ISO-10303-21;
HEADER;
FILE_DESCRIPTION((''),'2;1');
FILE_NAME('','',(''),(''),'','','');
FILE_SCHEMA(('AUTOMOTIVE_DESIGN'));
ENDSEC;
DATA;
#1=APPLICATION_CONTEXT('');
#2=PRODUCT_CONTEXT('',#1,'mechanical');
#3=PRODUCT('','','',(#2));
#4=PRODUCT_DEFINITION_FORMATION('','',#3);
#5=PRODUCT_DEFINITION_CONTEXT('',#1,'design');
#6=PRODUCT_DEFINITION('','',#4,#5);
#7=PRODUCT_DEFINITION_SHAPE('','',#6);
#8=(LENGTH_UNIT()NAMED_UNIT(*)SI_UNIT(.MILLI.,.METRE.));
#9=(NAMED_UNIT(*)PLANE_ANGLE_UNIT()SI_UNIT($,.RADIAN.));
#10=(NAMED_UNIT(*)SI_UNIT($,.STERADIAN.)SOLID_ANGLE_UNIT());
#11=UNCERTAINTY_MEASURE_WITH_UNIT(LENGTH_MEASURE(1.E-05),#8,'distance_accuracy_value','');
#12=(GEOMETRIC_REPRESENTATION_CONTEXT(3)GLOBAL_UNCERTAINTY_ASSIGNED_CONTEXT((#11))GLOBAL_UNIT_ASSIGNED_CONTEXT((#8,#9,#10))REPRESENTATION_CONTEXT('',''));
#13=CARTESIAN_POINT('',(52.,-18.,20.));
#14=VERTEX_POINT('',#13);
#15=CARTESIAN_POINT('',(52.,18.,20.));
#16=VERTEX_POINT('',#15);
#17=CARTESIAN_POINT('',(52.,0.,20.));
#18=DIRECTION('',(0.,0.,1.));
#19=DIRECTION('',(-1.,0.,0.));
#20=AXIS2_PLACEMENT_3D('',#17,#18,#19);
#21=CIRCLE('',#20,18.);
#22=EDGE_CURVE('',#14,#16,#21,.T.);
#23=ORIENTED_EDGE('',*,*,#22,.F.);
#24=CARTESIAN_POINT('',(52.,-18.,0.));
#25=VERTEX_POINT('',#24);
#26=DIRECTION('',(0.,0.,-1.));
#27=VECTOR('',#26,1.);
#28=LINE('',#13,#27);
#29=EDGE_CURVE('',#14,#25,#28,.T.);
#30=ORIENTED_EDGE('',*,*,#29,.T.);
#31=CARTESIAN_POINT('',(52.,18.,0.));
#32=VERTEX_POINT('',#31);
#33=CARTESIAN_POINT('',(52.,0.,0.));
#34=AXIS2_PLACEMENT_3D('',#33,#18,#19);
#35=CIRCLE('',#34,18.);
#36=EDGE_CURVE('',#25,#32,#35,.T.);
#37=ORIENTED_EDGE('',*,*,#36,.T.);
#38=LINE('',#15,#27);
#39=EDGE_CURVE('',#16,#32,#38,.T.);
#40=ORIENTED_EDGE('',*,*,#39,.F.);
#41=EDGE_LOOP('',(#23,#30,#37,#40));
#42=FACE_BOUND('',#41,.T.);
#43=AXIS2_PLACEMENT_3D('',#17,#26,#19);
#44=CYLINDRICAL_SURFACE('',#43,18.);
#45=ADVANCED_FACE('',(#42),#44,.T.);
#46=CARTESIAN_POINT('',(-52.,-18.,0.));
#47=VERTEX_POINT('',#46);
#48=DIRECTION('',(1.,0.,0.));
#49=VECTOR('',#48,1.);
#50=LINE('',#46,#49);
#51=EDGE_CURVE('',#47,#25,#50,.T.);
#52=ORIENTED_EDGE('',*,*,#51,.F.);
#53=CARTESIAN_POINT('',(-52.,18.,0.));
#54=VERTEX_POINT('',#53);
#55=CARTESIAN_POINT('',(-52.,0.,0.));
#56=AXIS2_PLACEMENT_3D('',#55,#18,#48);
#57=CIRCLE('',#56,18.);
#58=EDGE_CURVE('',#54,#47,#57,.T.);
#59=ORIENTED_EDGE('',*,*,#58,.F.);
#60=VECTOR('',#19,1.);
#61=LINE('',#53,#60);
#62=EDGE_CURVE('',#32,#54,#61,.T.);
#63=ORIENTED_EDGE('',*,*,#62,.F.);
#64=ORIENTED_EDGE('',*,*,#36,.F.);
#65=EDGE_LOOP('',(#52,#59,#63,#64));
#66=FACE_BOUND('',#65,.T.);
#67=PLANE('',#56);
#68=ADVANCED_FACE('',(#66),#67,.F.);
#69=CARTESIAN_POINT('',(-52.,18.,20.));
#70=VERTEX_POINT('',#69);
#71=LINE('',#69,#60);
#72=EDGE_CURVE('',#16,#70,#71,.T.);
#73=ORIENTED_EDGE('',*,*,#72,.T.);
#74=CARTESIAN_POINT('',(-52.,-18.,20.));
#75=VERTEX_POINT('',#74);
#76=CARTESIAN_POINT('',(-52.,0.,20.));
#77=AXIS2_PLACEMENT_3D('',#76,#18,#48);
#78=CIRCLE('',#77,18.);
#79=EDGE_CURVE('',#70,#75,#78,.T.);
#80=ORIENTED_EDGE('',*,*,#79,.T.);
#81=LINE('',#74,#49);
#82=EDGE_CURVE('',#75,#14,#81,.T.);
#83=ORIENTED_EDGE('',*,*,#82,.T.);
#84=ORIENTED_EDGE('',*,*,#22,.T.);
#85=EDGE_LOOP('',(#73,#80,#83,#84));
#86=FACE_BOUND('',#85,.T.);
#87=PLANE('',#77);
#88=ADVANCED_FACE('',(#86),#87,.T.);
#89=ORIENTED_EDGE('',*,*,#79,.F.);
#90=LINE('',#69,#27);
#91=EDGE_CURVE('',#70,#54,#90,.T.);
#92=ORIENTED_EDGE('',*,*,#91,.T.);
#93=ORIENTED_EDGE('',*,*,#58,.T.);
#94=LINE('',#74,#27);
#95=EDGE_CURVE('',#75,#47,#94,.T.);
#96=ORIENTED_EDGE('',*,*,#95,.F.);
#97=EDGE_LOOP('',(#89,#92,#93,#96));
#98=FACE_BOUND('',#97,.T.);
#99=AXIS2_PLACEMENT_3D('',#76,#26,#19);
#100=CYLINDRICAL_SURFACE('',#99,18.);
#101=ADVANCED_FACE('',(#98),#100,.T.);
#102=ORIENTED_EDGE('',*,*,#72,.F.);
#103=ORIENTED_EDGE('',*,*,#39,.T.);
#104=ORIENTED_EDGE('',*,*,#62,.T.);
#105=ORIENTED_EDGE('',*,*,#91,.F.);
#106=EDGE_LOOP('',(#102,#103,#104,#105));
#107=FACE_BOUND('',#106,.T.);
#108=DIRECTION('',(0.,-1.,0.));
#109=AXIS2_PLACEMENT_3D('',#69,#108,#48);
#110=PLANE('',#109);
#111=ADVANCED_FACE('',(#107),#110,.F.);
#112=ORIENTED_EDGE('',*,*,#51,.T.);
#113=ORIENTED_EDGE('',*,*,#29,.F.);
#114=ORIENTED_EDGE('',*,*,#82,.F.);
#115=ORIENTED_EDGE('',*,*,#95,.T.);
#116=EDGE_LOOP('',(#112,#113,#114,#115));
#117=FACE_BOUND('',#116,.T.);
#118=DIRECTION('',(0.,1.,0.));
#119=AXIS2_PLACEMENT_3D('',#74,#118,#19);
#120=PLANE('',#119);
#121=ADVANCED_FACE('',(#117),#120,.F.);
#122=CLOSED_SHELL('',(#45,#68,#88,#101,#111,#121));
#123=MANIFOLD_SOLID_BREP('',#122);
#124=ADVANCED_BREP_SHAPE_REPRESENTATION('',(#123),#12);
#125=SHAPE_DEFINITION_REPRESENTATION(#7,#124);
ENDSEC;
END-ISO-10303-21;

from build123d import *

# Parameters (mm, degrees)
EXTRUDE_1_DEPTH = 20


with BuildPart() as part:
    # 草图1 → 拉伸1 (new body)
    with BuildSketch(Plane.XY):
        with BuildLine():
            Line((-52, 18), (52, 18))
            ThreePointArc((52, 18), (70, 0), (52, -18))
            Line((52, -18), (-52, -18))
            ThreePointArc((-52, -18), (-70, 0), (-52, 18))
        make_face()
    extrude(amount=EXTRUDE_1_DEPTH)


solid = part.part
